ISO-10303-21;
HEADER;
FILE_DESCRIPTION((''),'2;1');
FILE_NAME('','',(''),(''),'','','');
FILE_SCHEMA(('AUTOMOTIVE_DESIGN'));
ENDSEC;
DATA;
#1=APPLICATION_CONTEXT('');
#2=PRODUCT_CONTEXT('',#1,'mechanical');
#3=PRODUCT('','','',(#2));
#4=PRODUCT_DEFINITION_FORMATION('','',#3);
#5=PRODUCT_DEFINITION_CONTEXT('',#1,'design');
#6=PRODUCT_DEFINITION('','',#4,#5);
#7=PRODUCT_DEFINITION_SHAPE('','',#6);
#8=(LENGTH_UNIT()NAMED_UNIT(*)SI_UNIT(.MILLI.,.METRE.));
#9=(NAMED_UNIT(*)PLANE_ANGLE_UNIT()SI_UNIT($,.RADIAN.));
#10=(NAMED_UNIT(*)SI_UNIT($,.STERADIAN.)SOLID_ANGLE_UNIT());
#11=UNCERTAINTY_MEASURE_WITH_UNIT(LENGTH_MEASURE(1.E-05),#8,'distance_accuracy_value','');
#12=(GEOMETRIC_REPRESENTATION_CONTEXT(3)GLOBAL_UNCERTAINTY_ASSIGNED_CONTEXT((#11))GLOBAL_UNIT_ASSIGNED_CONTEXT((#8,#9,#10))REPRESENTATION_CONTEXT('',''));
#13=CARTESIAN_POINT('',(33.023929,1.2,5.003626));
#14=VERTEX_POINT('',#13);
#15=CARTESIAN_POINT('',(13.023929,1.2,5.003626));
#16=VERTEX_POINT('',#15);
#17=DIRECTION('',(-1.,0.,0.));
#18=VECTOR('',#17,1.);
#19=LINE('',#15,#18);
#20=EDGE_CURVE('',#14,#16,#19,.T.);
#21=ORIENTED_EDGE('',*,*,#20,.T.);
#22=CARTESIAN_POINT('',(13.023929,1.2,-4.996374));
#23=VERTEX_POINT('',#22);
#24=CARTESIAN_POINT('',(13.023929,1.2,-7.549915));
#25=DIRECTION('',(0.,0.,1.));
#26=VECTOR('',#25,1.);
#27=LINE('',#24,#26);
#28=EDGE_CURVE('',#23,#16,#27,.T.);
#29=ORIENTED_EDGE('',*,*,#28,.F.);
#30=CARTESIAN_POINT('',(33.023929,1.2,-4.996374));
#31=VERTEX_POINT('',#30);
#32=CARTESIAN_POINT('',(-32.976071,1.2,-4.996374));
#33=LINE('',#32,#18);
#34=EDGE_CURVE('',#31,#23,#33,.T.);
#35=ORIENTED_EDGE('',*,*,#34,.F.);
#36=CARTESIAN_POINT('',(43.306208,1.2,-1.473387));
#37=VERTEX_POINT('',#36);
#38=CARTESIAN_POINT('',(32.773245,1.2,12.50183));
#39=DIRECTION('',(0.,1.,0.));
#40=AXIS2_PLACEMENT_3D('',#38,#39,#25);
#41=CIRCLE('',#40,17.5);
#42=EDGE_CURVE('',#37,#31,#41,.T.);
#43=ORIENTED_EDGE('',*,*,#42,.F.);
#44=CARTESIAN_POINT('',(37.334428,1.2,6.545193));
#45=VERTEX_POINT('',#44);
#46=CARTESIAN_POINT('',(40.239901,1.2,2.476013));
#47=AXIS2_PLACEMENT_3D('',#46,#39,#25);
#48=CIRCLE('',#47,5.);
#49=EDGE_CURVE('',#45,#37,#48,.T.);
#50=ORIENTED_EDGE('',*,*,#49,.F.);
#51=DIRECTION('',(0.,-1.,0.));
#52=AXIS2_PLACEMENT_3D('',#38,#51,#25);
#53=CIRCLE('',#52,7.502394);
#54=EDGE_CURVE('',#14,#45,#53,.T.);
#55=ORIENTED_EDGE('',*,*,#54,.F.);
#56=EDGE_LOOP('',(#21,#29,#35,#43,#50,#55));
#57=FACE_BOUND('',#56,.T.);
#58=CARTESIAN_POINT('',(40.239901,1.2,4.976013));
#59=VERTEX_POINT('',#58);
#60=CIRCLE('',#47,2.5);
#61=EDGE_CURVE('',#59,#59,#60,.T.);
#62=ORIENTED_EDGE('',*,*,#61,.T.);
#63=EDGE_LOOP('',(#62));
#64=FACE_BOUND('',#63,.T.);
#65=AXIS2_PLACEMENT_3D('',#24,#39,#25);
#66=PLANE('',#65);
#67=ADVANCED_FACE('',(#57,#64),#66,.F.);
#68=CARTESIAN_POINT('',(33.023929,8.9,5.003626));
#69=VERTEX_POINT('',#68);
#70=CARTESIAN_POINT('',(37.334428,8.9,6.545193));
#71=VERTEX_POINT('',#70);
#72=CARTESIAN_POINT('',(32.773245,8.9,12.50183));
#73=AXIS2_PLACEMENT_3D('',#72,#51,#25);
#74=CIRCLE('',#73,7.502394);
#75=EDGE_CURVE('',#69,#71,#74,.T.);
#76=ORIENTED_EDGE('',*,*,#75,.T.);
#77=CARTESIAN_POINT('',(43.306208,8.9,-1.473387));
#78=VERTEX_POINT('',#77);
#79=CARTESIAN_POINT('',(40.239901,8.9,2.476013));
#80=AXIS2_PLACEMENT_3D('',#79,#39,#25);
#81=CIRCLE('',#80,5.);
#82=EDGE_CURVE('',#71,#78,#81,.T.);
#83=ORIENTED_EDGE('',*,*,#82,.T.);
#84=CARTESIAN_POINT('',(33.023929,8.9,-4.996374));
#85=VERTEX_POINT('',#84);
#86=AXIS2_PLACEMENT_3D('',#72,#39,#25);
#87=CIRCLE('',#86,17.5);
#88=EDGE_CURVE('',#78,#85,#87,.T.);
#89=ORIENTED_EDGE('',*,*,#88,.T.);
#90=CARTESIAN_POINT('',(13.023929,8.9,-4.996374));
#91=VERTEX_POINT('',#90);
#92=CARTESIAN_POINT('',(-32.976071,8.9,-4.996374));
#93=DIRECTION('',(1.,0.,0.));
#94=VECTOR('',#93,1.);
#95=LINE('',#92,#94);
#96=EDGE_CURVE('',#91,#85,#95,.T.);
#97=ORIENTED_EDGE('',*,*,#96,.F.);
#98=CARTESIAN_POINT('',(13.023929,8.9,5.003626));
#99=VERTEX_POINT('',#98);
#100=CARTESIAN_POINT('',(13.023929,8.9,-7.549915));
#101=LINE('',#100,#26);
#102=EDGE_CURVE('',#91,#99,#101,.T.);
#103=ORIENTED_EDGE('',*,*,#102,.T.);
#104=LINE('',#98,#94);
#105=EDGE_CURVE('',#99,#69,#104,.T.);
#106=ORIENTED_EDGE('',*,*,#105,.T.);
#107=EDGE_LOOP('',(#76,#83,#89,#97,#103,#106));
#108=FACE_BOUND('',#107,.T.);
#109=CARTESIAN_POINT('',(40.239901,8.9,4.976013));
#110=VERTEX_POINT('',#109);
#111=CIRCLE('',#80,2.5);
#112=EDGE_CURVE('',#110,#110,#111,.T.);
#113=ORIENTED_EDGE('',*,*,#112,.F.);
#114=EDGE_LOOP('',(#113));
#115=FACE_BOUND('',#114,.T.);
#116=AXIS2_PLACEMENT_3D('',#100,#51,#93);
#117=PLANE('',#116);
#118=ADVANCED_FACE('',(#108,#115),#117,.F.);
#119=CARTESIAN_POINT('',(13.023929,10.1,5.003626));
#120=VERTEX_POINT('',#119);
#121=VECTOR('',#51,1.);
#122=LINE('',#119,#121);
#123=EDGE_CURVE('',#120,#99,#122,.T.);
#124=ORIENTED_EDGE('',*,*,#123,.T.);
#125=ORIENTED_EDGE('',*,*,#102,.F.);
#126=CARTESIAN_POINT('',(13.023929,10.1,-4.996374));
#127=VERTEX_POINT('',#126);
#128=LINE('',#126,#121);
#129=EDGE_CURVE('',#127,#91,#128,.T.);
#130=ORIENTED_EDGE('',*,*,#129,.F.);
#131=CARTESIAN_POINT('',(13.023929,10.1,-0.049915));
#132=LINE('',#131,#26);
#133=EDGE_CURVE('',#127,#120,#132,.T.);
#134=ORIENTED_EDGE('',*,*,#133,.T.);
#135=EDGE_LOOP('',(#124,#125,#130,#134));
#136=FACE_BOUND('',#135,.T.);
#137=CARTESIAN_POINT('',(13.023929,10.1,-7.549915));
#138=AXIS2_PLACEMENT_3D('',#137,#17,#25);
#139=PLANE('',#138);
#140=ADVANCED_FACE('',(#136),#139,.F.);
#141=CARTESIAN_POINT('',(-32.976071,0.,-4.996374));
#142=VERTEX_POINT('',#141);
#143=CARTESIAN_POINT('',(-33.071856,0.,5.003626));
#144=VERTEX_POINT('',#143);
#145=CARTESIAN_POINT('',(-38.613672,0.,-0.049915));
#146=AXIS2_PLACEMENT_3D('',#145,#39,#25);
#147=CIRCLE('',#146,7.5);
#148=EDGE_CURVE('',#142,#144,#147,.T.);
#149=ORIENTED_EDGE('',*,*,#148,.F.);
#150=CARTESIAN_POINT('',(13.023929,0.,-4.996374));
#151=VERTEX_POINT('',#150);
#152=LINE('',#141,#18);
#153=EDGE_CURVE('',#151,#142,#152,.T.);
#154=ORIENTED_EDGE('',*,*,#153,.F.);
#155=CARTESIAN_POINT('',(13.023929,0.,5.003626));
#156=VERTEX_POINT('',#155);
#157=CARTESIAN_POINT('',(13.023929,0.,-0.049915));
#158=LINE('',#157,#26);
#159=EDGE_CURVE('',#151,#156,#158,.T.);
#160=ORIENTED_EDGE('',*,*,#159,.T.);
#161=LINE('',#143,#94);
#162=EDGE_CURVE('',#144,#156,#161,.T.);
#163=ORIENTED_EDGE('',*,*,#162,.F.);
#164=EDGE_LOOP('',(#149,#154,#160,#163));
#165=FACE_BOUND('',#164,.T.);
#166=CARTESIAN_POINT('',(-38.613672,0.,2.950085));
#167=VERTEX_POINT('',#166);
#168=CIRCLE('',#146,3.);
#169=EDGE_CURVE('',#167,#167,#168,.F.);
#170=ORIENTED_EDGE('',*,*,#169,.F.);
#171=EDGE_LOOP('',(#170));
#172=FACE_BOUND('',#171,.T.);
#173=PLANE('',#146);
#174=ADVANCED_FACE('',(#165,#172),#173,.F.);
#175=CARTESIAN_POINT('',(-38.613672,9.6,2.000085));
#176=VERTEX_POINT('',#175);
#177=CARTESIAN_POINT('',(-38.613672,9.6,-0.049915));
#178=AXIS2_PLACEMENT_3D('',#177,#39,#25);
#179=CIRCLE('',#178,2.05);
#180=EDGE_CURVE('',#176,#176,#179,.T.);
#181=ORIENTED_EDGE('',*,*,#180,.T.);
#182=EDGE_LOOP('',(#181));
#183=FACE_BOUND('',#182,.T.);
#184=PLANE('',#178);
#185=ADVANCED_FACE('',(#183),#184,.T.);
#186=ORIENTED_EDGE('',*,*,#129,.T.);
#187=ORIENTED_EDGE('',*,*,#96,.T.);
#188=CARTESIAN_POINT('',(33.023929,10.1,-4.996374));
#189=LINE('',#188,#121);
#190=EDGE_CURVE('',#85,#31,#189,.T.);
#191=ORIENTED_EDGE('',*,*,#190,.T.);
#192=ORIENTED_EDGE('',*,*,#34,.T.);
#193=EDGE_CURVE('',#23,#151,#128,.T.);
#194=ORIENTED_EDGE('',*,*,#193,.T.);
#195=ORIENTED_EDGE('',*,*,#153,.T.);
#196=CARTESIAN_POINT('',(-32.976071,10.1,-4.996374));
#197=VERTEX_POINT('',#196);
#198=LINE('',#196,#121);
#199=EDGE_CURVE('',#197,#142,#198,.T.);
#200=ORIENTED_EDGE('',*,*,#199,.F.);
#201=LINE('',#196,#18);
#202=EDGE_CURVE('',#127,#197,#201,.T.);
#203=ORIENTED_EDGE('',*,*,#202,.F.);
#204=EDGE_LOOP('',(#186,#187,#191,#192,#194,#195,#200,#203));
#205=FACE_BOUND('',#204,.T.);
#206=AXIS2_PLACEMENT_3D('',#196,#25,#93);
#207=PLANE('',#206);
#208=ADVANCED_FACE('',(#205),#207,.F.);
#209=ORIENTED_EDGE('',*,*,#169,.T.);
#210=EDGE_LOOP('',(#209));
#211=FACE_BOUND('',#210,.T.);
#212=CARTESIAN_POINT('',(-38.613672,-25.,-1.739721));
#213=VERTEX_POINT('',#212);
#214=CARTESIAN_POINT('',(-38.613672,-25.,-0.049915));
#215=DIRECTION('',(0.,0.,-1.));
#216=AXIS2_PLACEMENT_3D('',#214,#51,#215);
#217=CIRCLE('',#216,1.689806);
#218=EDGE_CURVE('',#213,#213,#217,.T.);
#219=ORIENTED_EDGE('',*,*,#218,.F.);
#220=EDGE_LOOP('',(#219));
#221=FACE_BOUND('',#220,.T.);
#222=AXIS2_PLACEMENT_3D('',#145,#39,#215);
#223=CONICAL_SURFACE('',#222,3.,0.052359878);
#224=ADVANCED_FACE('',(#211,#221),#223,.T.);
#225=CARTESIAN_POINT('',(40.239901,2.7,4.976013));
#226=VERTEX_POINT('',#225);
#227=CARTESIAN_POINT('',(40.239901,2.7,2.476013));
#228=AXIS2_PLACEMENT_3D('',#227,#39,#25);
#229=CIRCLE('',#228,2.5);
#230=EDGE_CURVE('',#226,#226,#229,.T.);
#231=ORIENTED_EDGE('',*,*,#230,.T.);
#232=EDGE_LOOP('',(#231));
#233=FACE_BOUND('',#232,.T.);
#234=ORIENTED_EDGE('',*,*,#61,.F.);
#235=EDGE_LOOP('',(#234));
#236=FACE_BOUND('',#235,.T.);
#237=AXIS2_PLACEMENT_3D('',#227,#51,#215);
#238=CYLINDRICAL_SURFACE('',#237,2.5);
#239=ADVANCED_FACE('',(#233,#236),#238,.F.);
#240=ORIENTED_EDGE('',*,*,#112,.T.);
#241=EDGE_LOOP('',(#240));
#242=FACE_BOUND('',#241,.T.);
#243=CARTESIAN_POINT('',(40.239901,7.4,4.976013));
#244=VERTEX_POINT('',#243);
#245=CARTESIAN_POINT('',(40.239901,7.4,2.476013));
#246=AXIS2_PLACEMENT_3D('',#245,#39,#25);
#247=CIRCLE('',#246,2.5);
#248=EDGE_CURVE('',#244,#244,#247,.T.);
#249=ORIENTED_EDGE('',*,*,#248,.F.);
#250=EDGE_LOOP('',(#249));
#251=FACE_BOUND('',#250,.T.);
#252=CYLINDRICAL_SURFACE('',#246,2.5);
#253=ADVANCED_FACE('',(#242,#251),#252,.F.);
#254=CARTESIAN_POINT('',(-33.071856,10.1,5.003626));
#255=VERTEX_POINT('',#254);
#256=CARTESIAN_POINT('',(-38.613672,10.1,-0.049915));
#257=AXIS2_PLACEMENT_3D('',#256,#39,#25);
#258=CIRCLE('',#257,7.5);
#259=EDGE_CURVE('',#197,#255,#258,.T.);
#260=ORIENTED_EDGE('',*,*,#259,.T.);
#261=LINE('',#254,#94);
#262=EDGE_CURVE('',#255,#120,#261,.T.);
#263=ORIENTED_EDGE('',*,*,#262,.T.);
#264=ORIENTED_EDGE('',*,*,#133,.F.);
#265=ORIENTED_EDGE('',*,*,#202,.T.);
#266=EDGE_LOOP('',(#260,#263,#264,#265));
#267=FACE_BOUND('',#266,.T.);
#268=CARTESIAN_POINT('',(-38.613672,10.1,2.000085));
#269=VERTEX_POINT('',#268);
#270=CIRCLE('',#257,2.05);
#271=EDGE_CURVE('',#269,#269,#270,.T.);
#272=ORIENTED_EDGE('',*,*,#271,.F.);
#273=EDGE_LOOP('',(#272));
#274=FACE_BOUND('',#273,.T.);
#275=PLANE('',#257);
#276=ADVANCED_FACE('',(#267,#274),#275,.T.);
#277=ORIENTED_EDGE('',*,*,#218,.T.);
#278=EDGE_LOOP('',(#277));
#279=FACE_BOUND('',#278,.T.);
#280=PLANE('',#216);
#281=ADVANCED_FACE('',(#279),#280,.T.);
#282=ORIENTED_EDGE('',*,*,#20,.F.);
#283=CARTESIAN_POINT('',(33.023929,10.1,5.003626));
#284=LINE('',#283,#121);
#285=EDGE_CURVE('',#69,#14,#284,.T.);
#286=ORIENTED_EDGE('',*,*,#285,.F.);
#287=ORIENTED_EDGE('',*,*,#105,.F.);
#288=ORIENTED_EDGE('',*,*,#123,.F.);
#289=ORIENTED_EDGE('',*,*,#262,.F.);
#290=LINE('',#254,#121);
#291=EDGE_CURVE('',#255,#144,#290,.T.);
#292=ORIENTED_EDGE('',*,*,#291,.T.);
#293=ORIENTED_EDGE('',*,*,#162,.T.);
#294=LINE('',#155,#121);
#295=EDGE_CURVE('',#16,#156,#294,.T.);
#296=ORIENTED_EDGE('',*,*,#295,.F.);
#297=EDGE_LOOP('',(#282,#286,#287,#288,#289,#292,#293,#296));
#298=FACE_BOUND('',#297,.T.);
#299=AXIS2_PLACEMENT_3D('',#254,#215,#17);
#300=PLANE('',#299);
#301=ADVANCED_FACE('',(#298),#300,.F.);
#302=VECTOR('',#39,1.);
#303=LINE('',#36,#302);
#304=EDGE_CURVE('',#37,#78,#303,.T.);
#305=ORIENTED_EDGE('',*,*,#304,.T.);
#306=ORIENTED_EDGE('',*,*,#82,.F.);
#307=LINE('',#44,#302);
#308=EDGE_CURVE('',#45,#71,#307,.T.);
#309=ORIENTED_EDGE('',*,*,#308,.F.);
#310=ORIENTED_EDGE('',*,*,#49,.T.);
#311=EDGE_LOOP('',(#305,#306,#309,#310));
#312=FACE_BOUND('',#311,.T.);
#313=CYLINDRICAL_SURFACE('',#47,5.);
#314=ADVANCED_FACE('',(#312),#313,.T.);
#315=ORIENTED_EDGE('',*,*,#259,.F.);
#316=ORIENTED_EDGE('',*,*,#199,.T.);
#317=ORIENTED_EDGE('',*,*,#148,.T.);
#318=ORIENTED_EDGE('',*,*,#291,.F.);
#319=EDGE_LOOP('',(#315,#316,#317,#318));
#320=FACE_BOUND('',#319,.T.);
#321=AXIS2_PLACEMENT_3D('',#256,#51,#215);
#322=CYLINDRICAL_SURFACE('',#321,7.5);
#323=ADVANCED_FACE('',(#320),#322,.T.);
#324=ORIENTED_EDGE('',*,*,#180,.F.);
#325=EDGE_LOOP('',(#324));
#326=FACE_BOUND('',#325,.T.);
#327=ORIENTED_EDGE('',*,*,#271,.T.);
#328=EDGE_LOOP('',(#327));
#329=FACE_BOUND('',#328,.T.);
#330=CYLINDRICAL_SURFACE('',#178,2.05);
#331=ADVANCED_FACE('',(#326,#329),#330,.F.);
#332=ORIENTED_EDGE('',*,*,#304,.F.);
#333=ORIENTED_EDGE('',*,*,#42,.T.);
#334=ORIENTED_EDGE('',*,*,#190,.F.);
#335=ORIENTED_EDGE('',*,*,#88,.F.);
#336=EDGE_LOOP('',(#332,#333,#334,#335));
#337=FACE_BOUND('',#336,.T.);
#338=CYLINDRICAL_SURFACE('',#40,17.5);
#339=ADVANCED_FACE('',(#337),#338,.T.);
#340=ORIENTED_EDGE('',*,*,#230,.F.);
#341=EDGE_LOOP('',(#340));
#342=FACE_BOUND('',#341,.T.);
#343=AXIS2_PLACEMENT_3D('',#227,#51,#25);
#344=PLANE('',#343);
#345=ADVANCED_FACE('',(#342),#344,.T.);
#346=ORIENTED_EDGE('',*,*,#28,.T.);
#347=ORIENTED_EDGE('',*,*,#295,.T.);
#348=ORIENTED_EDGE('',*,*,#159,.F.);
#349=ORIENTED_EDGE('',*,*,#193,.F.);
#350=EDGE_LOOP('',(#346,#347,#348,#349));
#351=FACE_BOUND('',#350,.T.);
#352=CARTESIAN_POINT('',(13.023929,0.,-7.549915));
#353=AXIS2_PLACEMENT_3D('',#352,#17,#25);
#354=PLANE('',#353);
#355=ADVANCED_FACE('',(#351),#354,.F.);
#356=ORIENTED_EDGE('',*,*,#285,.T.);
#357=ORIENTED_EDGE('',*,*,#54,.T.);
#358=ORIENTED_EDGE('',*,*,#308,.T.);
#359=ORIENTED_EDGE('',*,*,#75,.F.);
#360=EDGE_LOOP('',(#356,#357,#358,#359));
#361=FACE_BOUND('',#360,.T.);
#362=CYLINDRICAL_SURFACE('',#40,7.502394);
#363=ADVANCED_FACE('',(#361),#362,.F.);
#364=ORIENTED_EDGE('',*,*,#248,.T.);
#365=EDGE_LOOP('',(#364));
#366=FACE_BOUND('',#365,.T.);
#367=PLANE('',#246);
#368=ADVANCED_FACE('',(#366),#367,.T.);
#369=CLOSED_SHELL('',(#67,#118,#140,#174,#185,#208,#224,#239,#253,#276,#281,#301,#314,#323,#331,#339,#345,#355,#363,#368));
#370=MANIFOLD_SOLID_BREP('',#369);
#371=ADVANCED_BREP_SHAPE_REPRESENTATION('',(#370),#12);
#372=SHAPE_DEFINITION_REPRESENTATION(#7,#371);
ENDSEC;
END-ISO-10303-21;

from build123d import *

# Parameters (mm, degrees)
SALIENTE_EXTRUIR1_DEPTH = 10.1
CROQUIS7_R              = 2.05
CORTAR_EXTRUIR1_DEPTH   = 0.5
CROQUIS11_W             = 20
CROQUIS11_H             = 1.2
CORTAR_EXTRUIR4_DEPTH   = 49.847437401
SALIENTE_EXTRUIR4_START = -7.7
SALIENTE_EXTRUIR4_DEPTH = 7.7
CROQUIS13_R             = 2.5
CORTAR_EXTRUIR5_DEPTH   = 1.5
CROQUIS14_R             = 3
SALIENTE_EXTRUIR5_DEPTH = 25
SALIENTE_EXTRUIR5_TAPER = 3


with BuildPart() as part:
    # Croquis1 → Saliente-Extruir1 (new body)
    with BuildSketch(Plane(origin=(0, 0, 0), x_dir=(1, 0, 0), z_dir=(0, 1, 0))):
        with BuildLine():
            Line((-33.071856209, -5.003625594), (33.023928918, -5.003625594))
            Line((33.023928918, -5.003625594), (33.023928918, 4.996374406))
            Line((33.023928918, 4.996374406), (-32.976071082, 4.996374406))
            ThreePointArc((-32.976071082, 4.996374406), (-46.113327984, 0.121751049), (-33.071856209, -5.003625594))
        make_face()
    extrude(amount=SALIENTE_EXTRUIR1_DEPTH)

    # Croquis7 → Cortar-Extruir1 (cut)
    with BuildSketch(Plane(origin=(0, 10.1, 0), x_dir=(1, 0, 0), z_dir=(0, 1, 0))):
        with Locations(Location((-38.613672015, 0.049915499, 0), (0, 0, 270))):
            Circle(CROQUIS7_R)
    extrude(amount=-CORTAR_EXTRUIR1_DEPTH, mode=Mode.SUBTRACT)

    # Croquis11 → Cortar-Extruir4 (cut, through all)
    with BuildSketch(Plane.XY.offset(5.003625594)):
        with Locations((23.023928918, 9.5)):
            Rectangle(CROQUIS11_W, CROQUIS11_H)
        with Locations((23.023928918, 0.6)):
            Rectangle(CROQUIS11_W, CROQUIS11_H)
    extrude(amount=-CORTAR_EXTRUIR4_DEPTH, mode=Mode.SUBTRACT)

    # Croquis12 → Saliente-Extruir4 (add)
    with BuildSketch(Plane(origin=(0, 8.9, 0), x_dir=(1, 0, 0), z_dir=(0, 1, 0)).offset(SALIENTE_EXTRUIR4_START)):
        with BuildLine():
            Line((33.023928918, 4.996374406), (33.023928918, -5.003625594))
            ThreePointArc((33.023928918, -5.003625594), (35.299630193, -5.437603932), (37.334427549, -6.54519285))
            ThreePointArc((37.334427549, -6.54519285), (44.24999745, -5.462503991), (43.306208076, 1.473387001))
            ThreePointArc((43.306208076, 1.473387001), (38.445512688, 4.053392135), (33.023928918, 4.996374406))
        make_face()
    extrude(amount=SALIENTE_EXTRUIR4_DEPTH)

    # Croquis13 → Cortar-Extruir5 (cut)
    with BuildSketch(Plane(origin=(0, 8.9, 0), x_dir=(1, 0, 0), z_dir=(0, 1, 0))):
        with Locations(Location((40.239901123, -2.476013165, 0), (0, 0, 270))):
            Circle(CROQUIS13_R)
    cortar_extruir5 = extrude(amount=-CORTAR_EXTRUIR5_DEPTH, mode=Mode.SUBTRACT)

    # Croquis14 → Saliente-Extruir5 (add)
    with BuildSketch(Plane.XZ):
        with Locations((-38.613672015, -0.049915499)):
            Circle(CROQUIS14_R)
    extrude(amount=SALIENTE_EXTRUIR5_DEPTH, taper=SALIENTE_EXTRUIR5_TAPER)

    # Simetría1: Cortar-Extruir5 across plane
    add(cortar_extruir5.mirror(Plane.ZX.offset(5.05)), mode=Mode.SUBTRACT)


solid = part.part
